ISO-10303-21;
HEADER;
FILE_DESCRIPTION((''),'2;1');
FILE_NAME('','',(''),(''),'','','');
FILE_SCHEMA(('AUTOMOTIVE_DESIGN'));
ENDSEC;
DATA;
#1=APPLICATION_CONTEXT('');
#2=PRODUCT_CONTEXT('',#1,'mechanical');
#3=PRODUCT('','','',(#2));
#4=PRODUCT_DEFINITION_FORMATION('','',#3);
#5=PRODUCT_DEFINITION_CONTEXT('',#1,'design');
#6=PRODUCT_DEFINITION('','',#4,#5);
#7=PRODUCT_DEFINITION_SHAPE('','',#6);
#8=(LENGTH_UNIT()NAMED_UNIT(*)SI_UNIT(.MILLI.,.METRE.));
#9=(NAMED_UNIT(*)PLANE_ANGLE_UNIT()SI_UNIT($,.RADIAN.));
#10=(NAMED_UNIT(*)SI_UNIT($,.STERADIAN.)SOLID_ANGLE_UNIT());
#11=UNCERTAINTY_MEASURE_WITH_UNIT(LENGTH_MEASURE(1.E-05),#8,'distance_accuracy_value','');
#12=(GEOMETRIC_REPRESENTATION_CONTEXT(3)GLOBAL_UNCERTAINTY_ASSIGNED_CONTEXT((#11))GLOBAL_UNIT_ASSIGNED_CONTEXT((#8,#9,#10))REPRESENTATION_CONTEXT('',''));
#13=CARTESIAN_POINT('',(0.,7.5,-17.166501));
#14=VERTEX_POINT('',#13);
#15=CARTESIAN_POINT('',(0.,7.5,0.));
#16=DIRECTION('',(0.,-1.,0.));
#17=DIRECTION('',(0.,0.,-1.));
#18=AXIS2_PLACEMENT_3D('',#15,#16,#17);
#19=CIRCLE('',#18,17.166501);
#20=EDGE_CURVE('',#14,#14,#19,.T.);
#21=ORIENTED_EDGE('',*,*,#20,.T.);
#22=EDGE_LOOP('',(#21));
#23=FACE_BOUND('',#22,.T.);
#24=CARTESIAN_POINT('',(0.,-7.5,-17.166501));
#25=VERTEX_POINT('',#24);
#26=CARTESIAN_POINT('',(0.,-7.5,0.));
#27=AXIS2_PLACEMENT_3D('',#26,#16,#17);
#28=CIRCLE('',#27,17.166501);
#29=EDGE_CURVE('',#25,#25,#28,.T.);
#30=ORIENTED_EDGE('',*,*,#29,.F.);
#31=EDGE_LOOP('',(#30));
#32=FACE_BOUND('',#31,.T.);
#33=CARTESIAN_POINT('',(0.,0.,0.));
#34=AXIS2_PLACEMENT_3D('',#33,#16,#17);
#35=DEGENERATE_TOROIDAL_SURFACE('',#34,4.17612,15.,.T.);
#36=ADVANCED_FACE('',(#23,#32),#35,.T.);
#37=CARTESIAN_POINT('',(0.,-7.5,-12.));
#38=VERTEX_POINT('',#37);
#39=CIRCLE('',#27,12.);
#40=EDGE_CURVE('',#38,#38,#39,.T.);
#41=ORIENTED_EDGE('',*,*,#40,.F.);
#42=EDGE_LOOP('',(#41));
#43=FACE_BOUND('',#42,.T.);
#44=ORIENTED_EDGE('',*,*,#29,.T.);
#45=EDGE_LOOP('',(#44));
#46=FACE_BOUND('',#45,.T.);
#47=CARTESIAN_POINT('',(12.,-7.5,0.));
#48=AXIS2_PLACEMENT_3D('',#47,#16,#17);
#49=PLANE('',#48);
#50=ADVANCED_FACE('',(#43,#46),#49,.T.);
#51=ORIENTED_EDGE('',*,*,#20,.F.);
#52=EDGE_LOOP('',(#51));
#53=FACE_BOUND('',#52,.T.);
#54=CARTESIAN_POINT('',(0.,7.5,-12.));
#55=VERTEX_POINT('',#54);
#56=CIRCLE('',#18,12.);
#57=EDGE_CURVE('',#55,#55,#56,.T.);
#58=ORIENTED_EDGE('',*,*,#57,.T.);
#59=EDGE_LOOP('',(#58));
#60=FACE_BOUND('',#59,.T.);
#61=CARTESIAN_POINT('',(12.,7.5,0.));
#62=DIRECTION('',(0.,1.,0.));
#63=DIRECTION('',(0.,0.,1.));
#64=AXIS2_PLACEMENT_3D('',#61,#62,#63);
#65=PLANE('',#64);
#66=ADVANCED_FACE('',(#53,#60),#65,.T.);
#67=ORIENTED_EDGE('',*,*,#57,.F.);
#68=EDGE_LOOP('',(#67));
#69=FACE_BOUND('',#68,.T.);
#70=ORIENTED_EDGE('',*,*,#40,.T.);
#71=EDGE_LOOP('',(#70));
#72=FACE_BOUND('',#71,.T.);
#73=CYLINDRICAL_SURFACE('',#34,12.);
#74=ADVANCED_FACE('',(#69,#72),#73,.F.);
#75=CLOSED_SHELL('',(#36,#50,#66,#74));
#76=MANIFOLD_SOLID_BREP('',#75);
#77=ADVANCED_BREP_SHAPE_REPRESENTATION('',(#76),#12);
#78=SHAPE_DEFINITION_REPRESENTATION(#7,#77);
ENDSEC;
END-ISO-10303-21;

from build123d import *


with BuildPart() as part:
    # Sketch1 → Revolve1 (revolve)
    with BuildSketch(Plane.XY, mode=Mode.PRIVATE) as revolve1_sk:
        with BuildLine():
            Line((12, -7.5), (17.166500568, -7.5))
            ThreePointArc((17.166500568, -7.5), (19.176119511, 0), (17.166500568, 7.5))
            Line((17.166500568, 7.5), (12, 7.5))
            Line((12, 7.5), (12, -7.5))
        make_face()
    revolve(revolve1_sk.sketch.rotate(Axis((0, 0, 0), (0, 1, 0)), 90), axis=Axis((0, 0, 0), (0, 1, 0)))


solid = part.part
